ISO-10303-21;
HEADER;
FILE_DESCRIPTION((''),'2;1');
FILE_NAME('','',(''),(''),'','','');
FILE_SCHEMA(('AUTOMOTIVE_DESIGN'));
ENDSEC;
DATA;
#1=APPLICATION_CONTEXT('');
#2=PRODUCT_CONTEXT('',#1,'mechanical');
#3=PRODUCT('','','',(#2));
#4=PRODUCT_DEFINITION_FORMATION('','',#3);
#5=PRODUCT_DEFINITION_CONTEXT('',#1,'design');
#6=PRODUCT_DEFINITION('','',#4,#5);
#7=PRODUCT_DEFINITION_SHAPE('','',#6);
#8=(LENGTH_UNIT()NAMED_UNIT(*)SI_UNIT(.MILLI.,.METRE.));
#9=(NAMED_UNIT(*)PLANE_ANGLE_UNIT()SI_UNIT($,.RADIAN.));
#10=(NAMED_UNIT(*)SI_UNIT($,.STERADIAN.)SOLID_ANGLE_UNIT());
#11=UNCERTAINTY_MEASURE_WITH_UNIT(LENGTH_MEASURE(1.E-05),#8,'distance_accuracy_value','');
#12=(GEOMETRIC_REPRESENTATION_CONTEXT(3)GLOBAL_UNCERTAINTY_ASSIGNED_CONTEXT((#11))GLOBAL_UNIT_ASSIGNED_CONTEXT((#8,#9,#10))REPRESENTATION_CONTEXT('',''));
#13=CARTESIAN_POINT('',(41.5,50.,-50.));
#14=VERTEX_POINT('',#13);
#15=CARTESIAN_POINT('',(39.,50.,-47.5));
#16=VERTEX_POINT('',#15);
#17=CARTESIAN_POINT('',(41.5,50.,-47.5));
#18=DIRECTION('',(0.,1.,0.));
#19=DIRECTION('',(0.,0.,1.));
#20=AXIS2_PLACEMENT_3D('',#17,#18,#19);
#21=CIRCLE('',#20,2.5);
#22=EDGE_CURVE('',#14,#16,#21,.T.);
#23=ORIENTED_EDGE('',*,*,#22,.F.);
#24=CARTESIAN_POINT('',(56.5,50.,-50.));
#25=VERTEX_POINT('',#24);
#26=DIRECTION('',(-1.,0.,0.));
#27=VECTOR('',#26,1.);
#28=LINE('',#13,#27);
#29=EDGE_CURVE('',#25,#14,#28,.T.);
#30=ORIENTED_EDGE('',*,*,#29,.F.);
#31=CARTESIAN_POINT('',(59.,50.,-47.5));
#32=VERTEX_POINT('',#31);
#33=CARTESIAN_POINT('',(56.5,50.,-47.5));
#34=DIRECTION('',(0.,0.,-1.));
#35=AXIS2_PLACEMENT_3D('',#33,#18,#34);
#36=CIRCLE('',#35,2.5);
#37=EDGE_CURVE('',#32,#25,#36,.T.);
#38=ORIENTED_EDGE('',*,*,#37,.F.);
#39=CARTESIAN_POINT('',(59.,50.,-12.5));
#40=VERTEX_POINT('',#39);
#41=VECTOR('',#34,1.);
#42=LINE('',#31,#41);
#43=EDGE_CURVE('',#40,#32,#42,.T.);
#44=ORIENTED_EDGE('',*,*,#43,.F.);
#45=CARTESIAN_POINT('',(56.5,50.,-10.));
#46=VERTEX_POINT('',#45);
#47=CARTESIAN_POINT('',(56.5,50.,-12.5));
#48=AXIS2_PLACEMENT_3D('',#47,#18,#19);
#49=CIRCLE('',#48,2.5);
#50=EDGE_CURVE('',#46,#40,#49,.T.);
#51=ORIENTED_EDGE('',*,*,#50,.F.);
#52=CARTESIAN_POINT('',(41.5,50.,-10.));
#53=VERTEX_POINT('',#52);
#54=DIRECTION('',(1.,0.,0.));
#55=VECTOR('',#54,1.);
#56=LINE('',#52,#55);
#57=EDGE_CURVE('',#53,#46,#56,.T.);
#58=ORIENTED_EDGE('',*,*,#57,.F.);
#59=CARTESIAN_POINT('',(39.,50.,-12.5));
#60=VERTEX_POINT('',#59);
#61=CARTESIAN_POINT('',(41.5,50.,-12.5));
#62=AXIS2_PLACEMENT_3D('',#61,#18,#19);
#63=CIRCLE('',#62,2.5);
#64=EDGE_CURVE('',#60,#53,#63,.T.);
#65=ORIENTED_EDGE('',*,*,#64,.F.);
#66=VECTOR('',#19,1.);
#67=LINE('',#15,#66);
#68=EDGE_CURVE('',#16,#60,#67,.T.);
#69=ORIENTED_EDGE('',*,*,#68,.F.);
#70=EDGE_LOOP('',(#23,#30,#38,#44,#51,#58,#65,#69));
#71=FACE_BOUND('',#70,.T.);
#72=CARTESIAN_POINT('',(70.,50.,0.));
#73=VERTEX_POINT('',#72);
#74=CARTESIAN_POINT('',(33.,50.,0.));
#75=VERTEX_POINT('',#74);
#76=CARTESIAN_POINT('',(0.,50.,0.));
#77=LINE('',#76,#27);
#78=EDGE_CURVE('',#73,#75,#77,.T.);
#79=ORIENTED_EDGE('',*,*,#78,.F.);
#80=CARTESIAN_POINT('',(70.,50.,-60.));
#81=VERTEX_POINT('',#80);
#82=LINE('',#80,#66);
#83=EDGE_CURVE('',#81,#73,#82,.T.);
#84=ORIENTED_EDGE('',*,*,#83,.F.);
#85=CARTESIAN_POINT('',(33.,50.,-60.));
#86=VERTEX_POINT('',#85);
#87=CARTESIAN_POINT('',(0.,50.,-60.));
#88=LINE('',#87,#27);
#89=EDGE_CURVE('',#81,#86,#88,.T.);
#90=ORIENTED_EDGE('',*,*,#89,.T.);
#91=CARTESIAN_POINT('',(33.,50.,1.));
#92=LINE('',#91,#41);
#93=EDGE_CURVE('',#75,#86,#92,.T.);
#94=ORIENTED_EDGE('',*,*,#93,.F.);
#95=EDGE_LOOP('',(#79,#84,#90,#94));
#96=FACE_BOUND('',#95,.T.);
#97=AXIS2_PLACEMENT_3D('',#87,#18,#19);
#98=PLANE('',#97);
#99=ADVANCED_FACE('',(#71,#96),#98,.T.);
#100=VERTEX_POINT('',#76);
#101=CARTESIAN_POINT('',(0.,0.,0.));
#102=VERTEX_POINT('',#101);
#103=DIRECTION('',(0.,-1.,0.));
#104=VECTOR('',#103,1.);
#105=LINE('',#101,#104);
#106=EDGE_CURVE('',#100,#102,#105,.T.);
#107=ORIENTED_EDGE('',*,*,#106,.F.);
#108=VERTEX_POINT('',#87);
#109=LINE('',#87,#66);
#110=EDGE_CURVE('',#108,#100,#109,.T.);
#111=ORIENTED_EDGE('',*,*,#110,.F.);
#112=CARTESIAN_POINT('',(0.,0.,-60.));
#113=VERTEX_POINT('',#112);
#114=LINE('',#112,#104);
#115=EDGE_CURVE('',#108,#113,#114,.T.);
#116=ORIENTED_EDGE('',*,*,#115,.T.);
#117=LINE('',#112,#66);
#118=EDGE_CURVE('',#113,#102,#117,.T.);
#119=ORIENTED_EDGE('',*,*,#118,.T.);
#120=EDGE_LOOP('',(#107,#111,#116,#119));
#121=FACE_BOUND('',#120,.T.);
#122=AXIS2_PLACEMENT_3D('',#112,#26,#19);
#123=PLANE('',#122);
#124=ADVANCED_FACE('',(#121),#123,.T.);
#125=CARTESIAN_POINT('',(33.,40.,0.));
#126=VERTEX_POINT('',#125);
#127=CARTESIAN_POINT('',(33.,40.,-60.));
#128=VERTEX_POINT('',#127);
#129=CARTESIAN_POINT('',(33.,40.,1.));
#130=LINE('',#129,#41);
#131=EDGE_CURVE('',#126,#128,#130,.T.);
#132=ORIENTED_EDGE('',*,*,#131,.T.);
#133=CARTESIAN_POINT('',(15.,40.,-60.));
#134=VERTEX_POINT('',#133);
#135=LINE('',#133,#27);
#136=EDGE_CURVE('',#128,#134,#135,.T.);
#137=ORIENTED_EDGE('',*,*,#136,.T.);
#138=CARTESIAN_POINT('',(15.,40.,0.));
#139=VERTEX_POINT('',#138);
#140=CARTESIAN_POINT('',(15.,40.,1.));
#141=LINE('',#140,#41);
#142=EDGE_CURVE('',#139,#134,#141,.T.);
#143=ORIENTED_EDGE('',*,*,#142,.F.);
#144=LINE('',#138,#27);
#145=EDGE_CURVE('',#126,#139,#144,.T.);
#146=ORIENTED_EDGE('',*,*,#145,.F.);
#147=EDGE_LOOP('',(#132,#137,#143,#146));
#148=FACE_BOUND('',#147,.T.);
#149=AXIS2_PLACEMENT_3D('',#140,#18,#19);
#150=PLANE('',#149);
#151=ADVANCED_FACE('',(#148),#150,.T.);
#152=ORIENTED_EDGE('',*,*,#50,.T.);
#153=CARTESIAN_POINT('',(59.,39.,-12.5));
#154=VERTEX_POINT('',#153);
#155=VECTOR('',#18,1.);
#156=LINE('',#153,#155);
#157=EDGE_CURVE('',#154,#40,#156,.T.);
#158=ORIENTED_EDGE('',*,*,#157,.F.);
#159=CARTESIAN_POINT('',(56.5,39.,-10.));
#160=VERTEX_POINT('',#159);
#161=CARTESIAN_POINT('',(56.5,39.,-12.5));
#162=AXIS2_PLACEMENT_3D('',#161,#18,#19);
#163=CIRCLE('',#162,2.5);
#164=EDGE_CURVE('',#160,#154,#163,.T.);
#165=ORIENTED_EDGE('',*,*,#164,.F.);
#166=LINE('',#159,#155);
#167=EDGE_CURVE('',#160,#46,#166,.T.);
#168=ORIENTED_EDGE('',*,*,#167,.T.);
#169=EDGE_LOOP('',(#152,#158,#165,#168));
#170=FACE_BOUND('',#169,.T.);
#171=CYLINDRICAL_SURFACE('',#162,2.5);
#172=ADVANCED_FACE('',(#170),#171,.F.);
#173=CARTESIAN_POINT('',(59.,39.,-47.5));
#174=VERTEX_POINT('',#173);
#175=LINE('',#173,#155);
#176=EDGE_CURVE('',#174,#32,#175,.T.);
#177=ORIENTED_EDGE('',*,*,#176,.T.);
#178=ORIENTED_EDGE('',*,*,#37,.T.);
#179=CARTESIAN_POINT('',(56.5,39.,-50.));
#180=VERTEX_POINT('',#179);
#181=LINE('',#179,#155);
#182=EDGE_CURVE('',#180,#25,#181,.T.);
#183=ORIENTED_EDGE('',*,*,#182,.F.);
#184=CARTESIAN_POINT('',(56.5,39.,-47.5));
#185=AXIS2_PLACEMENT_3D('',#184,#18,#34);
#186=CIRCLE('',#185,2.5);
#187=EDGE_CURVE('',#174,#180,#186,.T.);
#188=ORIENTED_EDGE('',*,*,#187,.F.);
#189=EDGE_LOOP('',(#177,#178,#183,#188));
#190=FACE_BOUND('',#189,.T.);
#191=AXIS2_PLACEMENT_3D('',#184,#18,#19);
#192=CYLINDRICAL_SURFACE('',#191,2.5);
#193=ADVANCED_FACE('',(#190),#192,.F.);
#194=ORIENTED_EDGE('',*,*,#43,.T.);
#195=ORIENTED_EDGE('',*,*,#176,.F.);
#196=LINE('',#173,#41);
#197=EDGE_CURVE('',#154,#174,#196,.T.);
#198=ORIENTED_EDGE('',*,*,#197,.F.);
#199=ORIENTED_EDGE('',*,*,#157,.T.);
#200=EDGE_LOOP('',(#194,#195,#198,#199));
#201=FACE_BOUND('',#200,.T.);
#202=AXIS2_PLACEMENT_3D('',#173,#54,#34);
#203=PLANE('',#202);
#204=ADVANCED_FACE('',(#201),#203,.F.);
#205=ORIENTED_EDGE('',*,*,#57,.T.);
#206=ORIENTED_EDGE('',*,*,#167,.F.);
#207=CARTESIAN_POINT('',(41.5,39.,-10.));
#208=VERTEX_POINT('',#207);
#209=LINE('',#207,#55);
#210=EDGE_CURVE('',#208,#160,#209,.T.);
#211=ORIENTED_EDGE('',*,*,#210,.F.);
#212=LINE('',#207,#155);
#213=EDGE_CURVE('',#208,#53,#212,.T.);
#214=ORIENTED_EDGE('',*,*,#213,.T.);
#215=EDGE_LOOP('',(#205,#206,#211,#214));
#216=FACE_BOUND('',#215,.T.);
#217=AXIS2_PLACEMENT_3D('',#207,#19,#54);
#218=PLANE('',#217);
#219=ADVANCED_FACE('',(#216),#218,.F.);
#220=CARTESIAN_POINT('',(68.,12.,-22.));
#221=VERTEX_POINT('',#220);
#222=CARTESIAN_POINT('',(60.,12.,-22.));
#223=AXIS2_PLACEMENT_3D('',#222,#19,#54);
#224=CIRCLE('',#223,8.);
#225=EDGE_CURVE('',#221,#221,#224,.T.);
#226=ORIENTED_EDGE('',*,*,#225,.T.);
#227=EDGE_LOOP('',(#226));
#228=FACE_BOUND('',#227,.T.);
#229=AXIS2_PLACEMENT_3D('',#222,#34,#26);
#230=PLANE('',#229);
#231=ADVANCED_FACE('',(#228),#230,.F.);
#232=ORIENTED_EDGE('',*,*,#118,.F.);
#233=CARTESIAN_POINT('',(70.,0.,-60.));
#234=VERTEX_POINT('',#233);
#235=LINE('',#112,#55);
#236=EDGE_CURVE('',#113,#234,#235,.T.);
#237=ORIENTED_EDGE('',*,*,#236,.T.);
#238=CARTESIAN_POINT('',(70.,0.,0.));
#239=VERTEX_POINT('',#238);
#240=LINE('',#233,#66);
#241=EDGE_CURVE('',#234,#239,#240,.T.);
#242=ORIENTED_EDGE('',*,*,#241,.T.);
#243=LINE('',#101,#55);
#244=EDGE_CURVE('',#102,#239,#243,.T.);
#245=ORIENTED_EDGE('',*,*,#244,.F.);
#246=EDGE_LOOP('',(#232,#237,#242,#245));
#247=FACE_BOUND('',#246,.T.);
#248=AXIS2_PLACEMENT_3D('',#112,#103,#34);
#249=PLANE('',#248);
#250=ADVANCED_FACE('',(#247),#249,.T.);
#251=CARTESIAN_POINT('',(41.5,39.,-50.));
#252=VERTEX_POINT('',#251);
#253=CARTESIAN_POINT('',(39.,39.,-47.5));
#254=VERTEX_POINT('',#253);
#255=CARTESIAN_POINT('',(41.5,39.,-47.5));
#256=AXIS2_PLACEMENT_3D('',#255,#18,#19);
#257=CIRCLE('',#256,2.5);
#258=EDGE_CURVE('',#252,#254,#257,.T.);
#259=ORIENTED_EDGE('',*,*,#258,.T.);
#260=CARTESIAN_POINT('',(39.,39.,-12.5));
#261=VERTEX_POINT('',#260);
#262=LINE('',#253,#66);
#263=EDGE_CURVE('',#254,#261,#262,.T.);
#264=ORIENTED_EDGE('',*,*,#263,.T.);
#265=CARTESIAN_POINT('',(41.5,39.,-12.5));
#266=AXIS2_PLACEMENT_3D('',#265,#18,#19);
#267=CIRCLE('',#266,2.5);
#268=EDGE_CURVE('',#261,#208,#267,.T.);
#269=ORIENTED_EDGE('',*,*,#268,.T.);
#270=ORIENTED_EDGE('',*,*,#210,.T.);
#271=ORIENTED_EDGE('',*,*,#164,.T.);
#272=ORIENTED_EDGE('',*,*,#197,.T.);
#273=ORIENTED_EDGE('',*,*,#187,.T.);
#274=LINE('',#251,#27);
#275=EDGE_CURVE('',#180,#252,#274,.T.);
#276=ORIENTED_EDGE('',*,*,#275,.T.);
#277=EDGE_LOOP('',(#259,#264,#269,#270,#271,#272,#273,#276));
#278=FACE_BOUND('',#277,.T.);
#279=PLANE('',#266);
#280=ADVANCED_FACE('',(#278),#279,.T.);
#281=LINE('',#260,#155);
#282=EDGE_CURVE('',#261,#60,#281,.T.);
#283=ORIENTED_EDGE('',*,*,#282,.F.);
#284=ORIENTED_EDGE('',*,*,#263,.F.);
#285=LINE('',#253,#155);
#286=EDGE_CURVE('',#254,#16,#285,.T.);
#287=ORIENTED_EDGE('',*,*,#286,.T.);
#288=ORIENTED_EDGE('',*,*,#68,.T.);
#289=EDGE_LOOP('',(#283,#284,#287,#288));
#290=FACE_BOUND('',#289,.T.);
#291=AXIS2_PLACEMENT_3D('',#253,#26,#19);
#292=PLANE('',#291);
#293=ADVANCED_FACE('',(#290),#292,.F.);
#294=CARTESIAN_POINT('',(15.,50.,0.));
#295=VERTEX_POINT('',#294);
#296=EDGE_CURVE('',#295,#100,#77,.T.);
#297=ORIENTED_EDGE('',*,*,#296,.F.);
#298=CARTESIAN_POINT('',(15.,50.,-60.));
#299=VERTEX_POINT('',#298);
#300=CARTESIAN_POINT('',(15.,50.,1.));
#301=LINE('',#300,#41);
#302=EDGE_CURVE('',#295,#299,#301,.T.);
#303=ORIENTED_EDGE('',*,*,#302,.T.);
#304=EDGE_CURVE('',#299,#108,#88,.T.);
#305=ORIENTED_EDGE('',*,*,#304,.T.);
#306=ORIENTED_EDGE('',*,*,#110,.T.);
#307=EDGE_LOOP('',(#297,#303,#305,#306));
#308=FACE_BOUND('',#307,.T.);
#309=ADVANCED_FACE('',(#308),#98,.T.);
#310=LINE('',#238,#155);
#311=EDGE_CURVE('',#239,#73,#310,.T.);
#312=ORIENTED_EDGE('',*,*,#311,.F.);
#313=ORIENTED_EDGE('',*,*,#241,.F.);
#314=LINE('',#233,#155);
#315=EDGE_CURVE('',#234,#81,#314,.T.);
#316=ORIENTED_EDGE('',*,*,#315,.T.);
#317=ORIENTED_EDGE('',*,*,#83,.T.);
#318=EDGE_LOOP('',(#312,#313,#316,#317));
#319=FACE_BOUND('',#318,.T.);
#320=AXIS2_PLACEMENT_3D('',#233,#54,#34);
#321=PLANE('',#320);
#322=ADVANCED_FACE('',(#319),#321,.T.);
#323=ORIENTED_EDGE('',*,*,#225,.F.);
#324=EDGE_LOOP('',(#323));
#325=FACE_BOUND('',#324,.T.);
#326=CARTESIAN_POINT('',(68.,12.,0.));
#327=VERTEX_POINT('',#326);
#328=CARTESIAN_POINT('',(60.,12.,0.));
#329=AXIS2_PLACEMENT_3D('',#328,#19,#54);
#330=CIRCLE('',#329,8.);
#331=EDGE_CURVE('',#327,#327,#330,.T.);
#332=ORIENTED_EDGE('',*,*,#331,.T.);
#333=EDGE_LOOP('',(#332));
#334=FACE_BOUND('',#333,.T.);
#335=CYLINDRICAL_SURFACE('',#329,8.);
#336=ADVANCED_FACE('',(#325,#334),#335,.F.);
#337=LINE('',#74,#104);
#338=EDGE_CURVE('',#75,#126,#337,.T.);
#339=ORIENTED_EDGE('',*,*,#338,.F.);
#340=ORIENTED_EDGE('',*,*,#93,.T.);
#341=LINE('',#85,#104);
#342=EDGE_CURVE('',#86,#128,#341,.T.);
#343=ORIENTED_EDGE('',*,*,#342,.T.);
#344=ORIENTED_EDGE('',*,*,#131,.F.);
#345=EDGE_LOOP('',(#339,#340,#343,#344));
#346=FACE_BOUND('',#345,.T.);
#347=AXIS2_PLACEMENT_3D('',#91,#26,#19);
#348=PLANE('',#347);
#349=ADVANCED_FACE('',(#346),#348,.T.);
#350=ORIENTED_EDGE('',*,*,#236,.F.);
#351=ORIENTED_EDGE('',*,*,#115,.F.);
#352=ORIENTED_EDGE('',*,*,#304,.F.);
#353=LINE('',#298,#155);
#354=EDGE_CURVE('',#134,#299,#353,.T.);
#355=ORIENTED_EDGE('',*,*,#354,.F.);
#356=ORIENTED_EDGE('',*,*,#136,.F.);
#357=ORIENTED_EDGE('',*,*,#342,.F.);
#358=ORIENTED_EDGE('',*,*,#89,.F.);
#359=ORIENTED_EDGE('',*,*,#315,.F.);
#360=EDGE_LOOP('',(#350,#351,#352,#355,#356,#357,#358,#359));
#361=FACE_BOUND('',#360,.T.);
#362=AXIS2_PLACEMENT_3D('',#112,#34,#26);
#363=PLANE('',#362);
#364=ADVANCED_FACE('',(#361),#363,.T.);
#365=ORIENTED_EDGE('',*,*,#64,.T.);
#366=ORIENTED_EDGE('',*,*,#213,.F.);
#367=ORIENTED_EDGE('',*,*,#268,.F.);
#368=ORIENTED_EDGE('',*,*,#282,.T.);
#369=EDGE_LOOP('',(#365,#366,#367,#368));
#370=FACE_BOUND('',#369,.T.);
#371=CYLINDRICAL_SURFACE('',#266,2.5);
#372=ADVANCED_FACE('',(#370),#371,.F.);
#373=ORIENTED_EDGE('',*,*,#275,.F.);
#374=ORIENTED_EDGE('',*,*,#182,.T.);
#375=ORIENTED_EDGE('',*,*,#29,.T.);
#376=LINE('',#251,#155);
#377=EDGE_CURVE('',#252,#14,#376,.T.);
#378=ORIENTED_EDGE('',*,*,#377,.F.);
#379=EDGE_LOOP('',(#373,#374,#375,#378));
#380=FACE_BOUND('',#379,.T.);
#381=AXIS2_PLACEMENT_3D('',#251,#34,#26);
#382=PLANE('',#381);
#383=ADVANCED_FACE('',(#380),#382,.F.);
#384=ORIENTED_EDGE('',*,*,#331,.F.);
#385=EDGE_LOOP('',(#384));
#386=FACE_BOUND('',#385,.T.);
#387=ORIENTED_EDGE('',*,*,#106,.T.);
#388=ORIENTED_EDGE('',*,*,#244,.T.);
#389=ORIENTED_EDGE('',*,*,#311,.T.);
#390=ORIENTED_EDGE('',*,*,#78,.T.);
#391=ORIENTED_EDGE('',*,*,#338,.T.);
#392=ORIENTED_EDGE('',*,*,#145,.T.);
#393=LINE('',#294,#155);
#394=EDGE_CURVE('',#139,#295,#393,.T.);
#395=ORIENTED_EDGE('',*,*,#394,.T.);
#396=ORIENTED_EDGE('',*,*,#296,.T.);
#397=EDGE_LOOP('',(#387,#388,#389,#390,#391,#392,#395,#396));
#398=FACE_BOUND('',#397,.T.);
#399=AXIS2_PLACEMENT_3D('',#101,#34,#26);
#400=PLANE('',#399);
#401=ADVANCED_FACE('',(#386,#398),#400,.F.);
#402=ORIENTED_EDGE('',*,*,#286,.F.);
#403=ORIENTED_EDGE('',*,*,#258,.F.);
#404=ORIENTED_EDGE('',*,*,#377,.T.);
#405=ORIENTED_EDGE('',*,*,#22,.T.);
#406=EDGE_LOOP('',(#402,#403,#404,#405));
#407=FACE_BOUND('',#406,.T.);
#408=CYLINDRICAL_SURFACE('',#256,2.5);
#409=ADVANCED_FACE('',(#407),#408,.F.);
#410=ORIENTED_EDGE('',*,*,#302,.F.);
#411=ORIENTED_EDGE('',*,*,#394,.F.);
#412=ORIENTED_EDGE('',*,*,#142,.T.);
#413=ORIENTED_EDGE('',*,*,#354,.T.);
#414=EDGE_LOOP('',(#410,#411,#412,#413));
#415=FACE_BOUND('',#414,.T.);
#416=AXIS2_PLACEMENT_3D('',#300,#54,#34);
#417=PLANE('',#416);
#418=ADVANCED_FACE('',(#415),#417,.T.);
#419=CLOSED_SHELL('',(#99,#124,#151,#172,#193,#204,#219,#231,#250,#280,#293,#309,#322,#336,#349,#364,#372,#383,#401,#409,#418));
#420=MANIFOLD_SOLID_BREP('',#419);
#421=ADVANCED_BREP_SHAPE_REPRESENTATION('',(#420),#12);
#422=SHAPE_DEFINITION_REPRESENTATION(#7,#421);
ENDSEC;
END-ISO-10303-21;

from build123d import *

# Parameters (mm, degrees)
ESBO_O7_W                                      = 70
ESBO_O7_H                                      = 50
RESSALTO_EXTRUS_O3_DEPTH                       = 60
BROCA_DE_ROSQUEAR_PARA_TARRAXA_DE_M1_2X0_D     = 16
BROCA_DE_ROSQUEAR_PARA_TARRAXA_DE_M1_2X0_DEPTH = 22
CORTE_EXTRUS_O2_DEPTH                          = 11
ESBO_O13_W                                     = 18
ESBO_O13_H                                     = 10


with BuildPart() as part:
    # Esboço7 → Ressalto-extrusão3 (new body)
    with BuildSketch(Plane.XY):
        with Locations((35, 25)):
            Rectangle(ESBO_O7_W, ESBO_O7_H)
    extrude(amount=-RESSALTO_EXTRUS_O3_DEPTH)

    # Broca de rosquear para tarraxa de M1.2x0.252
    with Locations(Plane.XY):
        with Locations((60, 12)):
            Hole(BROCA_DE_ROSQUEAR_PARA_TARRAXA_DE_M1_2X0_D / 2, depth=BROCA_DE_ROSQUEAR_PARA_TARRAXA_DE_M1_2X0_DEPTH)

    # Esboço11 → Corte-extrusão2 (cut)
    with BuildSketch(Plane(origin=(0, 50, 0), x_dir=(1, 0, 0), z_dir=(0, 1, 0))):
        with BuildLine():
            Line((41.5, 50), (56.5, 50))
            ThreePointArc((56.5, 50), (58.267766953, 49.267766953), (59, 47.5))
            Line((59, 47.5), (59, 12.5))
            ThreePointArc((59, 12.5), (58.267766953, 10.732233047), (56.5, 10))
            Line((56.5, 10), (41.5, 10))
            ThreePointArc((41.5, 10), (39.732233047, 10.732233047), (39, 12.5))
            Line((39, 12.5), (39, 47.5))
            ThreePointArc((39, 47.5), (39.732233047, 49.267766953), (41.5, 50))
        make_face()
    extrude(amount=-CORTE_EXTRUS_O2_DEPTH, mode=Mode.SUBTRACT)

    # Varredura de corte1: sweep along a path in Esboço16
    with BuildLine(Plane(origin=(0, 50, 0), x_dir=(1, 0, 0), z_dir=(0, 1, 0))) as varredura_de_corte1_path:
        Line((15, 0), (15, 60))
    # Esboço13 → Varredura de corte1 (sweep, cut)
    with BuildSketch(Plane.XY):
        with Locations((24, 45)):
            Rectangle(ESBO_O13_W, ESBO_O13_H)
    sweep(path=varredura_de_corte1_path.line, mode=Mode.SUBTRACT)


solid = part.part
